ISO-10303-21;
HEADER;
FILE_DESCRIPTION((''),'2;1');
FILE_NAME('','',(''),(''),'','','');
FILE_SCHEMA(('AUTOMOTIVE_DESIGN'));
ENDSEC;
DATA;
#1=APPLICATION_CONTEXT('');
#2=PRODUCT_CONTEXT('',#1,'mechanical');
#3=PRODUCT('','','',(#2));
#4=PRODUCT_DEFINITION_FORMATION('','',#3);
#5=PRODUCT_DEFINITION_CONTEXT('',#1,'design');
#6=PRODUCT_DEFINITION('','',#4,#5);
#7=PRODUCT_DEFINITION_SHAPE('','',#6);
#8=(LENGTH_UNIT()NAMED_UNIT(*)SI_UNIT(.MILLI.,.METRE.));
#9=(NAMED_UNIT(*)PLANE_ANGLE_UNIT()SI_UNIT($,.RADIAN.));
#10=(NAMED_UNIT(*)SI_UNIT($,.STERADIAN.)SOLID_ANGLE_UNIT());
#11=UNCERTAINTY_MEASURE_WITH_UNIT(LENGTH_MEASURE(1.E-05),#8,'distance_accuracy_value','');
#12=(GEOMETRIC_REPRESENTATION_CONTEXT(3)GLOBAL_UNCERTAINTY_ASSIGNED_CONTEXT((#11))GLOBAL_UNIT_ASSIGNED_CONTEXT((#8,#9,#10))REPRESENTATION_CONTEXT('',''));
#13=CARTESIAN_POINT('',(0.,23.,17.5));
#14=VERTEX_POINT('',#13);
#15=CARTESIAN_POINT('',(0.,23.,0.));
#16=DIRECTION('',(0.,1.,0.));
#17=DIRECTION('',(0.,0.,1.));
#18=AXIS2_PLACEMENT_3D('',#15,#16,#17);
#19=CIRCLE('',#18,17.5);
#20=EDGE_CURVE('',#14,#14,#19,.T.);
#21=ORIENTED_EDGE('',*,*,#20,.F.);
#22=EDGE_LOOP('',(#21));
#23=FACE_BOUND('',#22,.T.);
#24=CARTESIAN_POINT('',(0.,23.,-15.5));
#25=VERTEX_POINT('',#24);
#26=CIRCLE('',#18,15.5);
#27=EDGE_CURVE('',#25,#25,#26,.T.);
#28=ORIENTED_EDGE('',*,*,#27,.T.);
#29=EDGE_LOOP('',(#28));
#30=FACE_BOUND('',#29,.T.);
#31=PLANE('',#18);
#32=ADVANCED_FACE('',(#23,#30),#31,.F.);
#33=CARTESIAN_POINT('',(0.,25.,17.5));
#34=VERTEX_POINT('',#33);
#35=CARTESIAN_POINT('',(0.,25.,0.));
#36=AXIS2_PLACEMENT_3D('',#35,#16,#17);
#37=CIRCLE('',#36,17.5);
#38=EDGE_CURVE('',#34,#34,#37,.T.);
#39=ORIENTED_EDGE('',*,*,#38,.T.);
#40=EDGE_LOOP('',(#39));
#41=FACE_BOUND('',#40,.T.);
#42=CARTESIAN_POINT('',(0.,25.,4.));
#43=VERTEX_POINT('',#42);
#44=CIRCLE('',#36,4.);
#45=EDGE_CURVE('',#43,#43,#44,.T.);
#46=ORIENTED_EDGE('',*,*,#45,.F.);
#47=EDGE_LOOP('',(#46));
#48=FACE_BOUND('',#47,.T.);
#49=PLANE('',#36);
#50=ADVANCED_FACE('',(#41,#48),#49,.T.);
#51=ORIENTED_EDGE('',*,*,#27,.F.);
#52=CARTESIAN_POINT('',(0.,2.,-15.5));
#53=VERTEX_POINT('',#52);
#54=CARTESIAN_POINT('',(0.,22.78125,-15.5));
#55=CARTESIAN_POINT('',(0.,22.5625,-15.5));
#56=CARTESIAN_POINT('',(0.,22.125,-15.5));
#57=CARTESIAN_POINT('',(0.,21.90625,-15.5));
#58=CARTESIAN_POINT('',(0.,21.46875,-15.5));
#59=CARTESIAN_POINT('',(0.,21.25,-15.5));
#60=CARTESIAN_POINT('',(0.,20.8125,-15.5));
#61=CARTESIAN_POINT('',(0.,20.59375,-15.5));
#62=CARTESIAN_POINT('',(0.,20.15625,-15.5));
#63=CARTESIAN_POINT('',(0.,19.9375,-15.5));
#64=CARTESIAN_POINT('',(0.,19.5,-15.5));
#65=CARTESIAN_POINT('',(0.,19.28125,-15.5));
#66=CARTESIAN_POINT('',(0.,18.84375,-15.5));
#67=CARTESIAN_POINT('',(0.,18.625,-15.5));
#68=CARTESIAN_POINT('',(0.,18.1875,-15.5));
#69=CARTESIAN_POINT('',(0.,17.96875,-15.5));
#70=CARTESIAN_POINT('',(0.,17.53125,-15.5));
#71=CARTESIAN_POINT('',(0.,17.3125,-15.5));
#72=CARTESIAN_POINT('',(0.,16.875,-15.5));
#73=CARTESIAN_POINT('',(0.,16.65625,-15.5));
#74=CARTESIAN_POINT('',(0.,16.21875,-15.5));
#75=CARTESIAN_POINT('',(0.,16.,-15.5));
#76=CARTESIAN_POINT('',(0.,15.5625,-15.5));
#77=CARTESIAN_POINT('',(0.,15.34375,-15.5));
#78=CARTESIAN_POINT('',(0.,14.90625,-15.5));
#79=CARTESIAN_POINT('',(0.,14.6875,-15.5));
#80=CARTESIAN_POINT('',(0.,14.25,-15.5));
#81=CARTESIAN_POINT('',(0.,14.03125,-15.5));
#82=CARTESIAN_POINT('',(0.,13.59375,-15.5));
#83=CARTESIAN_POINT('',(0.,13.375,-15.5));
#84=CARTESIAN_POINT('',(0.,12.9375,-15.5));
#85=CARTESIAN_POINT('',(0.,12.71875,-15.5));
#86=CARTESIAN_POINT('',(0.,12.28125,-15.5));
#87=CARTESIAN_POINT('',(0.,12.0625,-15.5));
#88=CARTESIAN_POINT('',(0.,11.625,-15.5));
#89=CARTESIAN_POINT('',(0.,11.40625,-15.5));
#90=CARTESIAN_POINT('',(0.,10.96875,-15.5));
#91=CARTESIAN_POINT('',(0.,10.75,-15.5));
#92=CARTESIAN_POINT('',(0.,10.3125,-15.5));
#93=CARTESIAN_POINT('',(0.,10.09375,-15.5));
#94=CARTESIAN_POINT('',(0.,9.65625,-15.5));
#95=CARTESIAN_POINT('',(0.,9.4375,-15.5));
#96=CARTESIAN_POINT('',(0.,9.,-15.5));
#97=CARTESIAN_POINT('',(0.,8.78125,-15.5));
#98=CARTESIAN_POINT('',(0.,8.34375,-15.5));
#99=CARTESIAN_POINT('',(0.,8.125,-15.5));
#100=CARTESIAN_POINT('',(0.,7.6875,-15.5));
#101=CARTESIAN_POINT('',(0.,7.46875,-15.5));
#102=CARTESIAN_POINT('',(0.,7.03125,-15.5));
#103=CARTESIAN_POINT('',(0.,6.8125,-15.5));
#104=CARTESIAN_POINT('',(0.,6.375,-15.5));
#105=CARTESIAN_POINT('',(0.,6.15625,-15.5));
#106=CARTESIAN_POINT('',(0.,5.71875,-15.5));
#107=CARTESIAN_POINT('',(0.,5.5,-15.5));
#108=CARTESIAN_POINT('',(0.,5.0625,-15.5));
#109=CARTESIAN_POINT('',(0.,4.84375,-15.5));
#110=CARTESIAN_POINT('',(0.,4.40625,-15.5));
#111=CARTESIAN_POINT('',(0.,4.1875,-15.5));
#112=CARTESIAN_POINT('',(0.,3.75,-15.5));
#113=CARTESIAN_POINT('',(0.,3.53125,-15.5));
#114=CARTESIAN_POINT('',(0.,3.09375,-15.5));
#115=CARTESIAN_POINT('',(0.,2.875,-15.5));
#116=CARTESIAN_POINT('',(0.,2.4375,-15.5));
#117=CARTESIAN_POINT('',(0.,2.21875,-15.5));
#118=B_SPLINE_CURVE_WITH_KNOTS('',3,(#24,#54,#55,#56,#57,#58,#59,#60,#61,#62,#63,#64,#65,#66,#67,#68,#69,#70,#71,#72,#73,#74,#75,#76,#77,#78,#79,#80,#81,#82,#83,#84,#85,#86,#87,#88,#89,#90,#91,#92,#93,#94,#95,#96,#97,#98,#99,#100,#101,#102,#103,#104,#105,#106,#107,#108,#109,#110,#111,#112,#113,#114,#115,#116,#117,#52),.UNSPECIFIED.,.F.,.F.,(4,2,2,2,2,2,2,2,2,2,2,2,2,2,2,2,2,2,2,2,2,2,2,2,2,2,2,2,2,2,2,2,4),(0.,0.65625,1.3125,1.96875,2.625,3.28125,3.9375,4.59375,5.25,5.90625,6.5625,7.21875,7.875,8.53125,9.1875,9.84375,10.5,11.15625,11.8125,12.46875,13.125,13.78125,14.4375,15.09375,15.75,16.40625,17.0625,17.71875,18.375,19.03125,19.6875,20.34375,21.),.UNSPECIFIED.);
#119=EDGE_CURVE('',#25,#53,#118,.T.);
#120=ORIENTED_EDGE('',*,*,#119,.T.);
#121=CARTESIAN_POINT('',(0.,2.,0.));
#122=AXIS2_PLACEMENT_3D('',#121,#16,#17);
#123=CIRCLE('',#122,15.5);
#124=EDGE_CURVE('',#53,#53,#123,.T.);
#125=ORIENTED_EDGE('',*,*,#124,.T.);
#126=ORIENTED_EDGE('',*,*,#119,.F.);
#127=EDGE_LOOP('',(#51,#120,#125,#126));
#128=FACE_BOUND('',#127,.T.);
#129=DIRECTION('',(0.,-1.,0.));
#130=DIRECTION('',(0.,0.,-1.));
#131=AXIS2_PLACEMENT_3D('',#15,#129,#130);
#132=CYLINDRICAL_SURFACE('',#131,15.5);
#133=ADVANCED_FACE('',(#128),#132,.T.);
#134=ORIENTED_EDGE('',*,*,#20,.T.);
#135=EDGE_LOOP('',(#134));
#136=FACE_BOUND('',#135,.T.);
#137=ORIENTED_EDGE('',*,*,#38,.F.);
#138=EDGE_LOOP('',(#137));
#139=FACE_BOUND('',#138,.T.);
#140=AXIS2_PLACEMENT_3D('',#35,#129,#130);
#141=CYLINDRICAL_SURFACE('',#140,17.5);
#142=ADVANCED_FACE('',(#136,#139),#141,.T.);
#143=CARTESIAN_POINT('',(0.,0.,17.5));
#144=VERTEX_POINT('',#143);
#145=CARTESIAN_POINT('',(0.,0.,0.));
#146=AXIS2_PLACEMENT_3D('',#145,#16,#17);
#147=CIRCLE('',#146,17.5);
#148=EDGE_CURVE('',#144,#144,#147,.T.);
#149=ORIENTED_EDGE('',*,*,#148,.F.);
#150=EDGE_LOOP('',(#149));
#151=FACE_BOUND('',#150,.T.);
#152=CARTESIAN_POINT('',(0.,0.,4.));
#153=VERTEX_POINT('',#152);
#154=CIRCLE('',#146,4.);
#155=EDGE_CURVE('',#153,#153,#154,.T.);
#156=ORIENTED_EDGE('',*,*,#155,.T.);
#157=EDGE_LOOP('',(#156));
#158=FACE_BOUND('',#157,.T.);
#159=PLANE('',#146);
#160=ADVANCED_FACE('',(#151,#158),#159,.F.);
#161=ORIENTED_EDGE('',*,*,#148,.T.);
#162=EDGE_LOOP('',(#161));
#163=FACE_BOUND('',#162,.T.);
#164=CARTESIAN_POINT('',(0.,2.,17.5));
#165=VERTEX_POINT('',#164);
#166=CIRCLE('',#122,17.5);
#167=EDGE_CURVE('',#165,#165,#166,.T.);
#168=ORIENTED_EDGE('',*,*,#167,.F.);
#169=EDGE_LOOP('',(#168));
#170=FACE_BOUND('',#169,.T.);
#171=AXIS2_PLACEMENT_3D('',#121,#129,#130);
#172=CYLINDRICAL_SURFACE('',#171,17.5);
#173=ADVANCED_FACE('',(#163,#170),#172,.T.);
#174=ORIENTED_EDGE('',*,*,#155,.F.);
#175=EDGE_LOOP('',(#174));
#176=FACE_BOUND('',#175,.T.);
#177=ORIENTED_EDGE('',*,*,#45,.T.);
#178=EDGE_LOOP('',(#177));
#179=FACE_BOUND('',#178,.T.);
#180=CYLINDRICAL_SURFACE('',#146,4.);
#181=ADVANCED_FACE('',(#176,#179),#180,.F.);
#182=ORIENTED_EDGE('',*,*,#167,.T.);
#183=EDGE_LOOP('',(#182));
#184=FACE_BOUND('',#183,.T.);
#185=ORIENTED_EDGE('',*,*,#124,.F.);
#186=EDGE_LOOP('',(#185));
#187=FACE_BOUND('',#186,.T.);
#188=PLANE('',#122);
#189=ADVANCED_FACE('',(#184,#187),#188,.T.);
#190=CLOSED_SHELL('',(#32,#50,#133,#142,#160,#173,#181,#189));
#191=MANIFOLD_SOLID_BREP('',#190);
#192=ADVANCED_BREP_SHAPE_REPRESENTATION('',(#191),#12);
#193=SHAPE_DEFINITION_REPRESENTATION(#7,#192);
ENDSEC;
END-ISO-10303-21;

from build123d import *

# Parameters (mm, degrees)
SKETCH1_R           = 17.5
BOSS_EXTRUDE1_DEPTH = 2
SKETCH2_R           = 15.5
BOSS_EXTRUDE2_DEPTH = 21
SKETCH3_R           = 17.5
BOSS_EXTRUDE3_DEPTH = 2
SKETCH4_R           = 4
CUT_EXTRUDE1_DEPTH  = 36.178118199


with BuildPart() as part:
    # Sketch1 → Boss-Extrude1 (new body)
    with BuildSketch(Plane(origin=(0, 0, 0), x_dir=(1, 0, 0), z_dir=(0, 1, 0))):
        with Locations(Location((0, 0, 0), (0, 0, 270))):
            Circle(SKETCH1_R)
    extrude(amount=BOSS_EXTRUDE1_DEPTH)

    # Sketch2 → Boss-Extrude2 (add)
    with BuildSketch(Plane(origin=(0, 2, 0), x_dir=(1, 0, 0), z_dir=(0, 1, 0))):
        with Locations(Location((0, 0, 0), (0, 0, 90))):
            Circle(SKETCH2_R)
    extrude(amount=BOSS_EXTRUDE2_DEPTH)

    # Sketch3 → Boss-Extrude3 (add)
    with BuildSketch(Plane(origin=(0, 23, 0), x_dir=(1, 0, 0), z_dir=(0, 1, 0))):
        with Locations(Location((0, 0, 0), (0, 0, 270))):
            Circle(SKETCH3_R)
    extrude(amount=BOSS_EXTRUDE3_DEPTH)

    # Sketch4 → Cut-Extrude1 (cut, through all)
    with BuildSketch(Plane(origin=(0, 25, 0), x_dir=(1, 0, 0), z_dir=(0, 1, 0))):
        with Locations(Location((0, 0, 0), (0, 0, 270))):
            Circle(SKETCH4_R)
    extrude(amount=-CUT_EXTRUDE1_DEPTH, mode=Mode.SUBTRACT)


solid = part.part
